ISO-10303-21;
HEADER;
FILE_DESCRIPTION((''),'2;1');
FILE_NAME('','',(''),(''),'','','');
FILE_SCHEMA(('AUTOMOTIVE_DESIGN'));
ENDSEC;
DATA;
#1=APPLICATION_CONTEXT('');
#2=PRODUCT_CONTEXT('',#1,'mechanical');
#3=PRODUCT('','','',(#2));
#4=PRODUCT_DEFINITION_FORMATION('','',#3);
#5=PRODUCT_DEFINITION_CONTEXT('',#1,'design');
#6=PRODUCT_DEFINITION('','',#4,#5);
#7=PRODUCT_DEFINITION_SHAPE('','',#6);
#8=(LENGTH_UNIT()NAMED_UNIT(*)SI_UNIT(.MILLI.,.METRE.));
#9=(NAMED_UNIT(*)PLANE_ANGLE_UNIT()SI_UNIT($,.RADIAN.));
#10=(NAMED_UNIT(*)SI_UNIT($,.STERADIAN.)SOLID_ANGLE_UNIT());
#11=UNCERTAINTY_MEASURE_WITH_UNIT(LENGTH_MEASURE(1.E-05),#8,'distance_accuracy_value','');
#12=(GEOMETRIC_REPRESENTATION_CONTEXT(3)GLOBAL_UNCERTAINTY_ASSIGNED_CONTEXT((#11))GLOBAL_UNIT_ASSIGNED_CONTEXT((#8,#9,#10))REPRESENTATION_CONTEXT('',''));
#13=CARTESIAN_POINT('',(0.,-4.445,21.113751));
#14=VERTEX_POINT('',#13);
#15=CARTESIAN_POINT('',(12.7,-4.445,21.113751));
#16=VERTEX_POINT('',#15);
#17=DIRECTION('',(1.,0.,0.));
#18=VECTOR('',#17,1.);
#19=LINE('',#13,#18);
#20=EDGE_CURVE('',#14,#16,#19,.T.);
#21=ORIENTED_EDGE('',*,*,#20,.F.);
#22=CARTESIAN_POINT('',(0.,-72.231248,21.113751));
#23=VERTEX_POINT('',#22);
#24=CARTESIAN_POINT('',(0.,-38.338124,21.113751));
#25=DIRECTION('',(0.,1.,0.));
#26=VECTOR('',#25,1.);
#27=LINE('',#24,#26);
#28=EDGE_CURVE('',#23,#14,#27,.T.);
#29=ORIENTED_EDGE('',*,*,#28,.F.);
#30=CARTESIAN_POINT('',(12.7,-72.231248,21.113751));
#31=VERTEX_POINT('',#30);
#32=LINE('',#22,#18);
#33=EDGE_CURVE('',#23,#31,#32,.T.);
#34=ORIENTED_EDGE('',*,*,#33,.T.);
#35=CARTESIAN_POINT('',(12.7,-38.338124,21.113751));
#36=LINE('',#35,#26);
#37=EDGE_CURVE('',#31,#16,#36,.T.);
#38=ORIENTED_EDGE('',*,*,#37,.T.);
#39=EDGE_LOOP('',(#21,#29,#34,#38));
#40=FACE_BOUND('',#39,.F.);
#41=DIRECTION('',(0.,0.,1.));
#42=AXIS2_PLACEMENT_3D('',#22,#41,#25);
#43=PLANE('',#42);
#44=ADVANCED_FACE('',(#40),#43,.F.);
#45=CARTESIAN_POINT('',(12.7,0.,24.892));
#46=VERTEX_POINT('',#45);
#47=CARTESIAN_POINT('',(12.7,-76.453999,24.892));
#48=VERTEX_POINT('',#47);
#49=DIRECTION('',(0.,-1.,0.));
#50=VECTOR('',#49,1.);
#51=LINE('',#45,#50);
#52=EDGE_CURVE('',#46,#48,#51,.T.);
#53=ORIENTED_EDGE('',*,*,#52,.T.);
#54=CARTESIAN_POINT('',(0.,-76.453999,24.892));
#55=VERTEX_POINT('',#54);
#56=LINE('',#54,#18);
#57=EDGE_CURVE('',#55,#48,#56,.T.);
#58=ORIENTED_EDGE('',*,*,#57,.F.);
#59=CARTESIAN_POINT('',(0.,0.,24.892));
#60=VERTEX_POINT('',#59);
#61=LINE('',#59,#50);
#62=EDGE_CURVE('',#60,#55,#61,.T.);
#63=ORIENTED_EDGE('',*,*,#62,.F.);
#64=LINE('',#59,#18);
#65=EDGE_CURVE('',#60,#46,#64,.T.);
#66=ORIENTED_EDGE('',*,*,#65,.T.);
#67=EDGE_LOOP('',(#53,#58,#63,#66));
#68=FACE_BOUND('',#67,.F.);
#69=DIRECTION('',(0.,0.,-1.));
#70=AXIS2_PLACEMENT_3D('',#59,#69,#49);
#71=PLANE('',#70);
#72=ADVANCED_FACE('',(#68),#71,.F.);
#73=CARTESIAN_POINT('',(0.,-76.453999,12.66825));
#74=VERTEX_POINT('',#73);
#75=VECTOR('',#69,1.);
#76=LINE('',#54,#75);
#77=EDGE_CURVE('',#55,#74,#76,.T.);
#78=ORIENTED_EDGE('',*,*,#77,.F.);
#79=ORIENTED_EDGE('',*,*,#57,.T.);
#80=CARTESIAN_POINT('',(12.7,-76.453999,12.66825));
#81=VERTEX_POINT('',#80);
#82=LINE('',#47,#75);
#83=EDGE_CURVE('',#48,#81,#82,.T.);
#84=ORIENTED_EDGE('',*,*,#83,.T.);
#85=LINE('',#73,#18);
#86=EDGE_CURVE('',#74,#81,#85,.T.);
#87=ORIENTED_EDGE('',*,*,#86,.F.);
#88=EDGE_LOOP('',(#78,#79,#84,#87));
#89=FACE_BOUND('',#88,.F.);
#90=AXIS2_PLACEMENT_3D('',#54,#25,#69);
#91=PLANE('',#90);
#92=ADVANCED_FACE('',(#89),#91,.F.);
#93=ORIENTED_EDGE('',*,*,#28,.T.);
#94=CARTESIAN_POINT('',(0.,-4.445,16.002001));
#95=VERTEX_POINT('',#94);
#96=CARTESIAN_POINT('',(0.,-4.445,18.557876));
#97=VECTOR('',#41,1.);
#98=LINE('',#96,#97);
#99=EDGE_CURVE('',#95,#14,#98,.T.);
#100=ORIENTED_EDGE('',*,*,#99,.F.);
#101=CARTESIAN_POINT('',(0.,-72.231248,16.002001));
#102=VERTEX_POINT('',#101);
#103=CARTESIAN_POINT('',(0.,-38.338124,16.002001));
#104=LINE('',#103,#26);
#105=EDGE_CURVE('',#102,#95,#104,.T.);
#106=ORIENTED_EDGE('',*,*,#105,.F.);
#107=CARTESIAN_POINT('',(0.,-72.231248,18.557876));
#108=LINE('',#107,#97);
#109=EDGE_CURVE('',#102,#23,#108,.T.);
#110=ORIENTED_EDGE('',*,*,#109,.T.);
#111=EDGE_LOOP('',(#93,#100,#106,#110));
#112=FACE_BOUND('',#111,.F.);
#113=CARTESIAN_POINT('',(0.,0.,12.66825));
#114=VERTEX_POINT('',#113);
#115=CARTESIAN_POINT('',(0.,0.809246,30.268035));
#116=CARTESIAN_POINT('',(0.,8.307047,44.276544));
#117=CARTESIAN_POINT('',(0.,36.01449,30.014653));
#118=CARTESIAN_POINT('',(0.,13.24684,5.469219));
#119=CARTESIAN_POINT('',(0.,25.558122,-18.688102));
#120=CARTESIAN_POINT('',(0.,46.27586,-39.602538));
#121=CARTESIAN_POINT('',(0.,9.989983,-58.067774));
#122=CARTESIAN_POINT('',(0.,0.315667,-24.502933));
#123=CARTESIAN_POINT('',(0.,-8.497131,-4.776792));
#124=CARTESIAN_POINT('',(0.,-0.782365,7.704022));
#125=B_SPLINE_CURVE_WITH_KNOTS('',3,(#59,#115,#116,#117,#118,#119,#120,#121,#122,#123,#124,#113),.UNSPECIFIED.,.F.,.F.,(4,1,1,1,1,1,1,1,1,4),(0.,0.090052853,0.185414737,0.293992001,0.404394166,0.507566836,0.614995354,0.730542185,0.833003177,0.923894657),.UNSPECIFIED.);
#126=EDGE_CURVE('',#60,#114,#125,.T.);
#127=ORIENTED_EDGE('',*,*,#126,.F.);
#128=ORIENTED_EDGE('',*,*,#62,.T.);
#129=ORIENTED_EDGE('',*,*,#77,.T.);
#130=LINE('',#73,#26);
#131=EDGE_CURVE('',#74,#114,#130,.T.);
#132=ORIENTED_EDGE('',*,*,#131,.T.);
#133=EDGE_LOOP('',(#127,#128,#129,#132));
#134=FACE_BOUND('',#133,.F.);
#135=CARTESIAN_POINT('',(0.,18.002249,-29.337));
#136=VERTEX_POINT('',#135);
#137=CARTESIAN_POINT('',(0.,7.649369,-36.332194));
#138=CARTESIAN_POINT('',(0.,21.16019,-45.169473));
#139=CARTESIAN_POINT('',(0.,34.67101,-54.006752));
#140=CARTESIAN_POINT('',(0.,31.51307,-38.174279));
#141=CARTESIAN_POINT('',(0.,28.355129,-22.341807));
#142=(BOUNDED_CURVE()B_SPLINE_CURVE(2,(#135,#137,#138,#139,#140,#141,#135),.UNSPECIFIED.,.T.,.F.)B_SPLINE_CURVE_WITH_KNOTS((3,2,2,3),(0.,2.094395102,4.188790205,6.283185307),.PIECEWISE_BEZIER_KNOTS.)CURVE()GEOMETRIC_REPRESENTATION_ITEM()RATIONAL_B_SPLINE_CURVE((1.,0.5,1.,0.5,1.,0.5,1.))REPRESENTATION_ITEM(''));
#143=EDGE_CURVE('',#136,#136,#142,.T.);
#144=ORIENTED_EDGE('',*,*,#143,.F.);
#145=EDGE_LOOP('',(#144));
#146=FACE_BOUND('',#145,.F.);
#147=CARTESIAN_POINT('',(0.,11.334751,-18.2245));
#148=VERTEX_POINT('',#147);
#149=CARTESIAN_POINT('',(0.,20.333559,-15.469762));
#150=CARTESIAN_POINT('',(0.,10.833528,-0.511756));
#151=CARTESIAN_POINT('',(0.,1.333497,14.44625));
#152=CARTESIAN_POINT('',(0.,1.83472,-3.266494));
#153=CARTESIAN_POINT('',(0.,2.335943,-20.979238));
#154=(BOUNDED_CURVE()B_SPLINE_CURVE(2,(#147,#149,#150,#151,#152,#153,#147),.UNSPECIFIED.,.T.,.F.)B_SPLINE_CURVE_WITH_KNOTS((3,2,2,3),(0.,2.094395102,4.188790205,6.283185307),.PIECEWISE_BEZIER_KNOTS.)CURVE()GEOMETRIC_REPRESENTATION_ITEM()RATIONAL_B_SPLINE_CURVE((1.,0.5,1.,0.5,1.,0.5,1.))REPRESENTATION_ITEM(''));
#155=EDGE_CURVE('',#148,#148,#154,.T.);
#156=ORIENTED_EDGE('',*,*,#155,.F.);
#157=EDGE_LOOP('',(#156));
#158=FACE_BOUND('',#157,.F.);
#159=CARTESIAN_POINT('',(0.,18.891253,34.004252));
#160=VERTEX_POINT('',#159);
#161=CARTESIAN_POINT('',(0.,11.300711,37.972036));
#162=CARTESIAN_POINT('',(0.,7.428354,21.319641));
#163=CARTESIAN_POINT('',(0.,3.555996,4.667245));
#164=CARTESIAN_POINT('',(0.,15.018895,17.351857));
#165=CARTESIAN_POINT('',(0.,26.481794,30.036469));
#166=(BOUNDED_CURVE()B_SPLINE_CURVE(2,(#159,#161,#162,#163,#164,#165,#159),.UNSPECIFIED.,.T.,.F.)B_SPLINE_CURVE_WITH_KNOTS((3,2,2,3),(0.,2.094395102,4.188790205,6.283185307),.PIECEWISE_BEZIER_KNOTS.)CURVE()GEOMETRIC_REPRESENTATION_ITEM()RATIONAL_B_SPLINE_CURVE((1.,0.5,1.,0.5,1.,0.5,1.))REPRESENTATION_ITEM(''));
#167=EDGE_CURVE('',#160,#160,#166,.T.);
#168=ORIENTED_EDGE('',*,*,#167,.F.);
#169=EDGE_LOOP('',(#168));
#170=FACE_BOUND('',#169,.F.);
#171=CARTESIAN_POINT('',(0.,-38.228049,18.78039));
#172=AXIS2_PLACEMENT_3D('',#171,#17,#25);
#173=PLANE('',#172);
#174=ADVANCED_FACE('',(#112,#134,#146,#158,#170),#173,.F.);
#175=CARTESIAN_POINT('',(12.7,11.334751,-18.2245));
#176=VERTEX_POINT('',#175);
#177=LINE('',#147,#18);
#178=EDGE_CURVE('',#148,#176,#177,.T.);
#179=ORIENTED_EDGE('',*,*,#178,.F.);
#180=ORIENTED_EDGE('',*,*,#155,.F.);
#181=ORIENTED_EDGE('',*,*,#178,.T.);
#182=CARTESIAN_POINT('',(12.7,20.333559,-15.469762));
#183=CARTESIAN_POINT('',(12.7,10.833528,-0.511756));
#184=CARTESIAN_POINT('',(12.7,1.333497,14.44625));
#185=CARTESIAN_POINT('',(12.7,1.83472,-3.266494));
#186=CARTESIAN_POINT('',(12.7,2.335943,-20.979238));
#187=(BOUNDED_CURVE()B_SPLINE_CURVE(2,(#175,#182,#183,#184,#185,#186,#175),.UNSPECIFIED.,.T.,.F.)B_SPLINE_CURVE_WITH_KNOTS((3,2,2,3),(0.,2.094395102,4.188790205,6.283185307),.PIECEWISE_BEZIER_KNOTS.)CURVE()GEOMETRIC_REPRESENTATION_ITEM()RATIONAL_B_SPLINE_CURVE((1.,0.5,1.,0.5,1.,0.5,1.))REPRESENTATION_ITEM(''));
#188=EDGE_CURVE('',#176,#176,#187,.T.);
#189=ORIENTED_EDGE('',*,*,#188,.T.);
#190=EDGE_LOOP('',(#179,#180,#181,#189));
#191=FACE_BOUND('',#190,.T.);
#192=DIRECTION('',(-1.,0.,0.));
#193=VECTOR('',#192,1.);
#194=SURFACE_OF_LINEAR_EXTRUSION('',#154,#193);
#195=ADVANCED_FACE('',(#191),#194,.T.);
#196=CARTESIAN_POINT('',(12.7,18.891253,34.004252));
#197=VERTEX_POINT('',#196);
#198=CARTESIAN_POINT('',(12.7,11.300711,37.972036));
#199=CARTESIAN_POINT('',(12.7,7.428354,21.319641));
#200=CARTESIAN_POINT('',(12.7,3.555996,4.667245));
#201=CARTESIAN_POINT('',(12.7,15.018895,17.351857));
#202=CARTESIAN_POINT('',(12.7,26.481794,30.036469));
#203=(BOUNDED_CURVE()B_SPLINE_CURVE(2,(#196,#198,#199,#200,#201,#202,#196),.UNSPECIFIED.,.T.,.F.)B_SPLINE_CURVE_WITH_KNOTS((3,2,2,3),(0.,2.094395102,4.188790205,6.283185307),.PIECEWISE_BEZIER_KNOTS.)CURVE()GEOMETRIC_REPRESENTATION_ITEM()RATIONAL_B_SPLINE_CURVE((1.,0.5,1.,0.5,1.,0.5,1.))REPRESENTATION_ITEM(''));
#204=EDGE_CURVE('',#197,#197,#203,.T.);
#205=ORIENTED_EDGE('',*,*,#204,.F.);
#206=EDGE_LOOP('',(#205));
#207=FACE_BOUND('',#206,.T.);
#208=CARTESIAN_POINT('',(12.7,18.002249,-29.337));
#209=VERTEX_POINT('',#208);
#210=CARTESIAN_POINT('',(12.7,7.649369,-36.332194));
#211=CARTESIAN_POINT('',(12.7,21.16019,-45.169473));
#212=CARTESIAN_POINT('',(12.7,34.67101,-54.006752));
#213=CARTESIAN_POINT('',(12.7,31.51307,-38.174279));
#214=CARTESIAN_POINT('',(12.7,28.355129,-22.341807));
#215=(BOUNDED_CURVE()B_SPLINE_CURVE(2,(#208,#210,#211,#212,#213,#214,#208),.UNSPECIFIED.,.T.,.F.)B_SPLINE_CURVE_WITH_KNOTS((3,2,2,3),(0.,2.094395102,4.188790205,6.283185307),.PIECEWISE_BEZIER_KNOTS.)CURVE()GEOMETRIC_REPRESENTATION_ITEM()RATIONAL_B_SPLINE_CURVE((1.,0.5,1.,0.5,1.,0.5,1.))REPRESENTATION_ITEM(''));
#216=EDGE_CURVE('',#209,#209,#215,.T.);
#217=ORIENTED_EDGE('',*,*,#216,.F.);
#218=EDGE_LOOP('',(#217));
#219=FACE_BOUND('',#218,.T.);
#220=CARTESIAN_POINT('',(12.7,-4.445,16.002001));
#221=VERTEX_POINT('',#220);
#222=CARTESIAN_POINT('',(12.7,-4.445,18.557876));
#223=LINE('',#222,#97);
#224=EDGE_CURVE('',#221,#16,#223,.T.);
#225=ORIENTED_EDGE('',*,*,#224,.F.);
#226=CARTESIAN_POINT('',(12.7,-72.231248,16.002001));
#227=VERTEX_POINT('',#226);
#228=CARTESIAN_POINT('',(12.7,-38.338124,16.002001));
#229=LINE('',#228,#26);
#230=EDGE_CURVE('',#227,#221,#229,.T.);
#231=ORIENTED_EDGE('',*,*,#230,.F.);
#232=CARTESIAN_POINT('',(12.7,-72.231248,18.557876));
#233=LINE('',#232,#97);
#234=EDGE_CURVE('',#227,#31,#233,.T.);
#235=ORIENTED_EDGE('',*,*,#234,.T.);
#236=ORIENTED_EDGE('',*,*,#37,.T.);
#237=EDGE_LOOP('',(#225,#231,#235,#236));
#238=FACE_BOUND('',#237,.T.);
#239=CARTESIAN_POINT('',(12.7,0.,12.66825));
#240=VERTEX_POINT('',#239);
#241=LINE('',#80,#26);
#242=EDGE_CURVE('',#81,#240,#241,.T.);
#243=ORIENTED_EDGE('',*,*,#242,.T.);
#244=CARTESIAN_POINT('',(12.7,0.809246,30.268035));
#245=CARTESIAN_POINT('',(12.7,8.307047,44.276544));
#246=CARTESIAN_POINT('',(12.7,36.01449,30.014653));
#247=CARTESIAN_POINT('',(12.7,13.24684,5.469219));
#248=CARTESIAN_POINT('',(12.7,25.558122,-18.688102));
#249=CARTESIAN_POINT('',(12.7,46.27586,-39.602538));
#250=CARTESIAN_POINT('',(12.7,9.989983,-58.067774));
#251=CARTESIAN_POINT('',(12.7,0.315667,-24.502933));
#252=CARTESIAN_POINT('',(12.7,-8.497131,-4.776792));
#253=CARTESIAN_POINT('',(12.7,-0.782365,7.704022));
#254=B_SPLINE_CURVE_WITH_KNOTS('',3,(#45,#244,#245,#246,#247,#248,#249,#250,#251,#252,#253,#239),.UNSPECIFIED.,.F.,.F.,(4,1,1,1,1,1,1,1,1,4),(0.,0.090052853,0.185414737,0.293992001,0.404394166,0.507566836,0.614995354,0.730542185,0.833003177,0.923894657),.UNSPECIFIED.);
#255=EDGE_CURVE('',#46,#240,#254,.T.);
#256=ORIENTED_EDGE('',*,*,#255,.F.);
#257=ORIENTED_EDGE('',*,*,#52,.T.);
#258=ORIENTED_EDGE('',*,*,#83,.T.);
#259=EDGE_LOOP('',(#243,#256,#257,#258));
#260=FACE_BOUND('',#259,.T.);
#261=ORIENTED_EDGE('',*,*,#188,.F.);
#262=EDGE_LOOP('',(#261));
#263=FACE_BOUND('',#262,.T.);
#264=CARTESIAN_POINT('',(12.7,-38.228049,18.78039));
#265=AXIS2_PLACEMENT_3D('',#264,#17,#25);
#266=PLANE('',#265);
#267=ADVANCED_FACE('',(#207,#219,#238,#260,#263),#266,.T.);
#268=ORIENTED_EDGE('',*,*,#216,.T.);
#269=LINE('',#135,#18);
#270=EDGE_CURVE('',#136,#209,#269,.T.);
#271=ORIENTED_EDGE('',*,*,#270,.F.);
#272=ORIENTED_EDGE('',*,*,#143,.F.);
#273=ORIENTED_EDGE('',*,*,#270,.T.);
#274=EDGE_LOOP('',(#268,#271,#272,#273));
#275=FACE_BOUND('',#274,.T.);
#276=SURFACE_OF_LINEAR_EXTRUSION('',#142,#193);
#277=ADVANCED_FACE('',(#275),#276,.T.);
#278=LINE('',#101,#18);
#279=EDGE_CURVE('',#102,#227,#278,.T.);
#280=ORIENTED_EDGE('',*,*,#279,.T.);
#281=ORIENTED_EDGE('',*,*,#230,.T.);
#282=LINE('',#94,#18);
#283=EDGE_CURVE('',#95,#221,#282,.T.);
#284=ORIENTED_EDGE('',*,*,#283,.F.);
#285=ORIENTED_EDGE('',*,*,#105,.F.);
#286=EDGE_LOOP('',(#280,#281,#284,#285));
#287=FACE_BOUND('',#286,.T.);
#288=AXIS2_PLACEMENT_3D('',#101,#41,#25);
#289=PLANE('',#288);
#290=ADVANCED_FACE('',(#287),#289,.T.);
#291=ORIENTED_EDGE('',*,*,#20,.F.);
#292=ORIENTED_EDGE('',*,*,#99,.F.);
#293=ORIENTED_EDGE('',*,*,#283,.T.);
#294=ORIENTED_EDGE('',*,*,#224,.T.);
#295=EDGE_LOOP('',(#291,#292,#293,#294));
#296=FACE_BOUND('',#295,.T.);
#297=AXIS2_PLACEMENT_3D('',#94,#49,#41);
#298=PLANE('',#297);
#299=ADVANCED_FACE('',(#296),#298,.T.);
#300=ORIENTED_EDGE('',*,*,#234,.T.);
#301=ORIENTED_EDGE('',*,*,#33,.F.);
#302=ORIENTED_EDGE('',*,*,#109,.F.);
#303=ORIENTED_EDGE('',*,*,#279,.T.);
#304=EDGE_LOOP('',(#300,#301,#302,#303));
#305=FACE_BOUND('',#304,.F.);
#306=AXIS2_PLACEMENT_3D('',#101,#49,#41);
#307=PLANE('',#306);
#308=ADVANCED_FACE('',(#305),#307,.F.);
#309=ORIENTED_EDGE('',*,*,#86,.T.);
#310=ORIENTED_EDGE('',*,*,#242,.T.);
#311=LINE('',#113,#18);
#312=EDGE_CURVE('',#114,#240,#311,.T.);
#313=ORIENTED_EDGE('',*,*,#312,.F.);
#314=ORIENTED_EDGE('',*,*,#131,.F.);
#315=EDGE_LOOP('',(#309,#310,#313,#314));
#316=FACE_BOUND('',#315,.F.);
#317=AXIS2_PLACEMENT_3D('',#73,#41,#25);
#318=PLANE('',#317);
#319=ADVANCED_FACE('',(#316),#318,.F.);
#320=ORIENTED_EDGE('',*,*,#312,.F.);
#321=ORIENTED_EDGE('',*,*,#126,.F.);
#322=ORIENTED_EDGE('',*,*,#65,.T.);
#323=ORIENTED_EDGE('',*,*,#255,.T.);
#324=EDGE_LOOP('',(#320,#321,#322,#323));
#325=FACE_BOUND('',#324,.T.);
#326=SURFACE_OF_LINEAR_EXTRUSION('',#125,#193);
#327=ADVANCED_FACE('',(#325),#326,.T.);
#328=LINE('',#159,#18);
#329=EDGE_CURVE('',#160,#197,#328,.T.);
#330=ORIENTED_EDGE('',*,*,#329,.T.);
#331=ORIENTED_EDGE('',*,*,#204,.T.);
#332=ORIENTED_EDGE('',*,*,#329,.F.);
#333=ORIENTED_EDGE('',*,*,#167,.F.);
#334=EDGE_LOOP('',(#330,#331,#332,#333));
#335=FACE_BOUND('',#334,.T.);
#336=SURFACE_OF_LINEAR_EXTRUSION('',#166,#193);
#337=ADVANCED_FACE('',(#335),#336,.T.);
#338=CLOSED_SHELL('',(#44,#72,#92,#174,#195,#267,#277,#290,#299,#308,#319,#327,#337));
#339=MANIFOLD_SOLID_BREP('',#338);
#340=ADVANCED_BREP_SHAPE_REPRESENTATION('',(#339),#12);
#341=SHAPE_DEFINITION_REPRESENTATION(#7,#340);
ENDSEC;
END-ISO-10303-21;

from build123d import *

# Parameters (mm, degrees)
F0_W     = 67.7862479351
F0_H     = 5.1117502153
F1_DEPTH = 12.7


with BuildPart() as f1:
    # F0 (on Right) → F1 (new body)
    with BuildSketch(Plane.YZ):
        with BuildLine():
            Line((0, 24.8920004815), (-76.4539986849, 24.8920004815))
            Line((-76.4539986849, 24.8920004815), (-76.4539986849, 12.6682501286))
            Line((-76.4539986849, 12.6682501286), (0, 12.6682501286))
            Line((0, 12.6682501286), (0, 18.508071043))
            add(Edge.make_bspline(
                [(0, 18.508071043), (-0.1708980343, 20.5168405773), (-0.3493140225, 22.5714156884), (0, 24.8920004815)],
                knots=[0.961128357, 0.961128357, 0.961128357, 0.961128357, 1, 1, 1, 1], degree=3))
        make_face()
        with Locations((-38.3381240536, 18.5578763485)):
            Rectangle(F0_W, F0_H, mode=Mode.SUBTRACT)
        with BuildLine():
            add(Edge.make_bspline(
                [(0, 24.8920004815), (0.8092460696, 30.2680346566), (8.3070469342, 44.2765443995), (36.0144897672, 30.0146526427), (13.2468399874, 5.469219081), (25.5581216311, -18.6881017585), (46.275859714, -39.6025376101), (9.9899825514, -58.06777446), (0.3156669885, -24.5029333825), (-8.4971305908, -4.7767918724), (-0.782365331, 7.704021715), (0, 12.6682501286)],
                knots=[0, 0, 0, 0, 0.090052853, 0.1854147368, 0.2939920012, 0.4043941655, 0.507566836, 0.6149953538, 0.7305421853, 0.8330031766, 0.923894657, 0.923894657, 0.923894657, 0.923894657], degree=3))
            Line((0, 24.8920004815), (0, 18.508071043))
            add(Edge.make_bspline(
                [(0, 12.6682501286), (0.3204960011, 14.701846573), (0.1636968661, 16.5839454744), (0, 18.508071043)],
                knots=[0.923894657, 0.923894657, 0.923894657, 0.923894657, 0.961128357, 0.961128357, 0.961128357, 0.961128357], degree=3))
        make_face()
        with BuildLine():
            add(Edge.make_bspline(
                [(18.0022493005, -29.3370001018), (7.649369334, -36.3321935148), (21.1601898917, -45.1694725707), (34.6710104495, -54.0067516267), (31.5130698583, -38.1742791578), (28.355129267, -22.3418066888), (18.0022493005, -29.3370001018)],
                knots=[0, 0, 0, 2.0943951024, 2.0943951024, 4.1887902048, 4.1887902048, 6.2831853072, 6.2831853072, 6.2831853072], degree=2, weights=[1, 0.5, 1, 0.5, 1, 0.5, 1]))
        make_face(mode=Mode.SUBTRACT)
        with BuildLine():
            add(Edge.make_bspline(
                [(11.3347508013, -18.2245001197), (20.3335588444, -15.4697620684), (10.8335281545, -0.5117559527), (1.3334974647, 14.446250163), (1.8347201115, -3.266494004), (2.3359427583, -20.9792381709), (11.3347508013, -18.2245001197)],
                knots=[0, 0, 0, 2.0943951024, 2.0943951024, 4.1887902048, 4.1887902048, 6.2831853072, 6.2831853072, 6.2831853072], degree=2, weights=[1, 0.5, 1, 0.5, 1, 0.5, 1]))
        make_face(mode=Mode.SUBTRACT)
        with BuildLine():
            add(Edge.make_bspline(
                [(18.8912525773, 34.004252404), (11.300710756, 37.9720362202), (7.4283535497, 21.3196405359), (3.5559963435, 4.6672448516), (15.0188953711, 17.3518567197), (26.4817943986, 30.0364685877), (18.8912525773, 34.004252404)],
                knots=[0, 0, 0, 2.0943951024, 2.0943951024, 4.1887902048, 4.1887902048, 6.2831853072, 6.2831853072, 6.2831853072], degree=2, weights=[1, 0.5, 1, 0.5, 1, 0.5, 1]))
        make_face(mode=Mode.SUBTRACT)
        with BuildLine():
            Line((0, 18.508071043), (0, 24.8920004815))
            add(Edge.make_bspline(
                [(0, 18.508071043), (-0.1708980343, 20.5168405773), (-0.3493140225, 22.5714156884), (0, 24.8920004815)],
                knots=[0.961128357, 0.961128357, 0.961128357, 0.961128357, 1, 1, 1, 1], degree=3))
        make_face()
        with BuildLine():
            add(Edge.make_bspline(
                [(0, 12.6682501286), (0.3204960011, 14.701846573), (0.1636968661, 16.5839454744), (0, 18.508071043)],
                knots=[0.923894657, 0.923894657, 0.923894657, 0.923894657, 0.961128357, 0.961128357, 0.961128357, 0.961128357], degree=3))
            Line((0, 18.508071043), (0, 12.6682501286))
        make_face()
    extrude(amount=F1_DEPTH)


solid = f1.part
